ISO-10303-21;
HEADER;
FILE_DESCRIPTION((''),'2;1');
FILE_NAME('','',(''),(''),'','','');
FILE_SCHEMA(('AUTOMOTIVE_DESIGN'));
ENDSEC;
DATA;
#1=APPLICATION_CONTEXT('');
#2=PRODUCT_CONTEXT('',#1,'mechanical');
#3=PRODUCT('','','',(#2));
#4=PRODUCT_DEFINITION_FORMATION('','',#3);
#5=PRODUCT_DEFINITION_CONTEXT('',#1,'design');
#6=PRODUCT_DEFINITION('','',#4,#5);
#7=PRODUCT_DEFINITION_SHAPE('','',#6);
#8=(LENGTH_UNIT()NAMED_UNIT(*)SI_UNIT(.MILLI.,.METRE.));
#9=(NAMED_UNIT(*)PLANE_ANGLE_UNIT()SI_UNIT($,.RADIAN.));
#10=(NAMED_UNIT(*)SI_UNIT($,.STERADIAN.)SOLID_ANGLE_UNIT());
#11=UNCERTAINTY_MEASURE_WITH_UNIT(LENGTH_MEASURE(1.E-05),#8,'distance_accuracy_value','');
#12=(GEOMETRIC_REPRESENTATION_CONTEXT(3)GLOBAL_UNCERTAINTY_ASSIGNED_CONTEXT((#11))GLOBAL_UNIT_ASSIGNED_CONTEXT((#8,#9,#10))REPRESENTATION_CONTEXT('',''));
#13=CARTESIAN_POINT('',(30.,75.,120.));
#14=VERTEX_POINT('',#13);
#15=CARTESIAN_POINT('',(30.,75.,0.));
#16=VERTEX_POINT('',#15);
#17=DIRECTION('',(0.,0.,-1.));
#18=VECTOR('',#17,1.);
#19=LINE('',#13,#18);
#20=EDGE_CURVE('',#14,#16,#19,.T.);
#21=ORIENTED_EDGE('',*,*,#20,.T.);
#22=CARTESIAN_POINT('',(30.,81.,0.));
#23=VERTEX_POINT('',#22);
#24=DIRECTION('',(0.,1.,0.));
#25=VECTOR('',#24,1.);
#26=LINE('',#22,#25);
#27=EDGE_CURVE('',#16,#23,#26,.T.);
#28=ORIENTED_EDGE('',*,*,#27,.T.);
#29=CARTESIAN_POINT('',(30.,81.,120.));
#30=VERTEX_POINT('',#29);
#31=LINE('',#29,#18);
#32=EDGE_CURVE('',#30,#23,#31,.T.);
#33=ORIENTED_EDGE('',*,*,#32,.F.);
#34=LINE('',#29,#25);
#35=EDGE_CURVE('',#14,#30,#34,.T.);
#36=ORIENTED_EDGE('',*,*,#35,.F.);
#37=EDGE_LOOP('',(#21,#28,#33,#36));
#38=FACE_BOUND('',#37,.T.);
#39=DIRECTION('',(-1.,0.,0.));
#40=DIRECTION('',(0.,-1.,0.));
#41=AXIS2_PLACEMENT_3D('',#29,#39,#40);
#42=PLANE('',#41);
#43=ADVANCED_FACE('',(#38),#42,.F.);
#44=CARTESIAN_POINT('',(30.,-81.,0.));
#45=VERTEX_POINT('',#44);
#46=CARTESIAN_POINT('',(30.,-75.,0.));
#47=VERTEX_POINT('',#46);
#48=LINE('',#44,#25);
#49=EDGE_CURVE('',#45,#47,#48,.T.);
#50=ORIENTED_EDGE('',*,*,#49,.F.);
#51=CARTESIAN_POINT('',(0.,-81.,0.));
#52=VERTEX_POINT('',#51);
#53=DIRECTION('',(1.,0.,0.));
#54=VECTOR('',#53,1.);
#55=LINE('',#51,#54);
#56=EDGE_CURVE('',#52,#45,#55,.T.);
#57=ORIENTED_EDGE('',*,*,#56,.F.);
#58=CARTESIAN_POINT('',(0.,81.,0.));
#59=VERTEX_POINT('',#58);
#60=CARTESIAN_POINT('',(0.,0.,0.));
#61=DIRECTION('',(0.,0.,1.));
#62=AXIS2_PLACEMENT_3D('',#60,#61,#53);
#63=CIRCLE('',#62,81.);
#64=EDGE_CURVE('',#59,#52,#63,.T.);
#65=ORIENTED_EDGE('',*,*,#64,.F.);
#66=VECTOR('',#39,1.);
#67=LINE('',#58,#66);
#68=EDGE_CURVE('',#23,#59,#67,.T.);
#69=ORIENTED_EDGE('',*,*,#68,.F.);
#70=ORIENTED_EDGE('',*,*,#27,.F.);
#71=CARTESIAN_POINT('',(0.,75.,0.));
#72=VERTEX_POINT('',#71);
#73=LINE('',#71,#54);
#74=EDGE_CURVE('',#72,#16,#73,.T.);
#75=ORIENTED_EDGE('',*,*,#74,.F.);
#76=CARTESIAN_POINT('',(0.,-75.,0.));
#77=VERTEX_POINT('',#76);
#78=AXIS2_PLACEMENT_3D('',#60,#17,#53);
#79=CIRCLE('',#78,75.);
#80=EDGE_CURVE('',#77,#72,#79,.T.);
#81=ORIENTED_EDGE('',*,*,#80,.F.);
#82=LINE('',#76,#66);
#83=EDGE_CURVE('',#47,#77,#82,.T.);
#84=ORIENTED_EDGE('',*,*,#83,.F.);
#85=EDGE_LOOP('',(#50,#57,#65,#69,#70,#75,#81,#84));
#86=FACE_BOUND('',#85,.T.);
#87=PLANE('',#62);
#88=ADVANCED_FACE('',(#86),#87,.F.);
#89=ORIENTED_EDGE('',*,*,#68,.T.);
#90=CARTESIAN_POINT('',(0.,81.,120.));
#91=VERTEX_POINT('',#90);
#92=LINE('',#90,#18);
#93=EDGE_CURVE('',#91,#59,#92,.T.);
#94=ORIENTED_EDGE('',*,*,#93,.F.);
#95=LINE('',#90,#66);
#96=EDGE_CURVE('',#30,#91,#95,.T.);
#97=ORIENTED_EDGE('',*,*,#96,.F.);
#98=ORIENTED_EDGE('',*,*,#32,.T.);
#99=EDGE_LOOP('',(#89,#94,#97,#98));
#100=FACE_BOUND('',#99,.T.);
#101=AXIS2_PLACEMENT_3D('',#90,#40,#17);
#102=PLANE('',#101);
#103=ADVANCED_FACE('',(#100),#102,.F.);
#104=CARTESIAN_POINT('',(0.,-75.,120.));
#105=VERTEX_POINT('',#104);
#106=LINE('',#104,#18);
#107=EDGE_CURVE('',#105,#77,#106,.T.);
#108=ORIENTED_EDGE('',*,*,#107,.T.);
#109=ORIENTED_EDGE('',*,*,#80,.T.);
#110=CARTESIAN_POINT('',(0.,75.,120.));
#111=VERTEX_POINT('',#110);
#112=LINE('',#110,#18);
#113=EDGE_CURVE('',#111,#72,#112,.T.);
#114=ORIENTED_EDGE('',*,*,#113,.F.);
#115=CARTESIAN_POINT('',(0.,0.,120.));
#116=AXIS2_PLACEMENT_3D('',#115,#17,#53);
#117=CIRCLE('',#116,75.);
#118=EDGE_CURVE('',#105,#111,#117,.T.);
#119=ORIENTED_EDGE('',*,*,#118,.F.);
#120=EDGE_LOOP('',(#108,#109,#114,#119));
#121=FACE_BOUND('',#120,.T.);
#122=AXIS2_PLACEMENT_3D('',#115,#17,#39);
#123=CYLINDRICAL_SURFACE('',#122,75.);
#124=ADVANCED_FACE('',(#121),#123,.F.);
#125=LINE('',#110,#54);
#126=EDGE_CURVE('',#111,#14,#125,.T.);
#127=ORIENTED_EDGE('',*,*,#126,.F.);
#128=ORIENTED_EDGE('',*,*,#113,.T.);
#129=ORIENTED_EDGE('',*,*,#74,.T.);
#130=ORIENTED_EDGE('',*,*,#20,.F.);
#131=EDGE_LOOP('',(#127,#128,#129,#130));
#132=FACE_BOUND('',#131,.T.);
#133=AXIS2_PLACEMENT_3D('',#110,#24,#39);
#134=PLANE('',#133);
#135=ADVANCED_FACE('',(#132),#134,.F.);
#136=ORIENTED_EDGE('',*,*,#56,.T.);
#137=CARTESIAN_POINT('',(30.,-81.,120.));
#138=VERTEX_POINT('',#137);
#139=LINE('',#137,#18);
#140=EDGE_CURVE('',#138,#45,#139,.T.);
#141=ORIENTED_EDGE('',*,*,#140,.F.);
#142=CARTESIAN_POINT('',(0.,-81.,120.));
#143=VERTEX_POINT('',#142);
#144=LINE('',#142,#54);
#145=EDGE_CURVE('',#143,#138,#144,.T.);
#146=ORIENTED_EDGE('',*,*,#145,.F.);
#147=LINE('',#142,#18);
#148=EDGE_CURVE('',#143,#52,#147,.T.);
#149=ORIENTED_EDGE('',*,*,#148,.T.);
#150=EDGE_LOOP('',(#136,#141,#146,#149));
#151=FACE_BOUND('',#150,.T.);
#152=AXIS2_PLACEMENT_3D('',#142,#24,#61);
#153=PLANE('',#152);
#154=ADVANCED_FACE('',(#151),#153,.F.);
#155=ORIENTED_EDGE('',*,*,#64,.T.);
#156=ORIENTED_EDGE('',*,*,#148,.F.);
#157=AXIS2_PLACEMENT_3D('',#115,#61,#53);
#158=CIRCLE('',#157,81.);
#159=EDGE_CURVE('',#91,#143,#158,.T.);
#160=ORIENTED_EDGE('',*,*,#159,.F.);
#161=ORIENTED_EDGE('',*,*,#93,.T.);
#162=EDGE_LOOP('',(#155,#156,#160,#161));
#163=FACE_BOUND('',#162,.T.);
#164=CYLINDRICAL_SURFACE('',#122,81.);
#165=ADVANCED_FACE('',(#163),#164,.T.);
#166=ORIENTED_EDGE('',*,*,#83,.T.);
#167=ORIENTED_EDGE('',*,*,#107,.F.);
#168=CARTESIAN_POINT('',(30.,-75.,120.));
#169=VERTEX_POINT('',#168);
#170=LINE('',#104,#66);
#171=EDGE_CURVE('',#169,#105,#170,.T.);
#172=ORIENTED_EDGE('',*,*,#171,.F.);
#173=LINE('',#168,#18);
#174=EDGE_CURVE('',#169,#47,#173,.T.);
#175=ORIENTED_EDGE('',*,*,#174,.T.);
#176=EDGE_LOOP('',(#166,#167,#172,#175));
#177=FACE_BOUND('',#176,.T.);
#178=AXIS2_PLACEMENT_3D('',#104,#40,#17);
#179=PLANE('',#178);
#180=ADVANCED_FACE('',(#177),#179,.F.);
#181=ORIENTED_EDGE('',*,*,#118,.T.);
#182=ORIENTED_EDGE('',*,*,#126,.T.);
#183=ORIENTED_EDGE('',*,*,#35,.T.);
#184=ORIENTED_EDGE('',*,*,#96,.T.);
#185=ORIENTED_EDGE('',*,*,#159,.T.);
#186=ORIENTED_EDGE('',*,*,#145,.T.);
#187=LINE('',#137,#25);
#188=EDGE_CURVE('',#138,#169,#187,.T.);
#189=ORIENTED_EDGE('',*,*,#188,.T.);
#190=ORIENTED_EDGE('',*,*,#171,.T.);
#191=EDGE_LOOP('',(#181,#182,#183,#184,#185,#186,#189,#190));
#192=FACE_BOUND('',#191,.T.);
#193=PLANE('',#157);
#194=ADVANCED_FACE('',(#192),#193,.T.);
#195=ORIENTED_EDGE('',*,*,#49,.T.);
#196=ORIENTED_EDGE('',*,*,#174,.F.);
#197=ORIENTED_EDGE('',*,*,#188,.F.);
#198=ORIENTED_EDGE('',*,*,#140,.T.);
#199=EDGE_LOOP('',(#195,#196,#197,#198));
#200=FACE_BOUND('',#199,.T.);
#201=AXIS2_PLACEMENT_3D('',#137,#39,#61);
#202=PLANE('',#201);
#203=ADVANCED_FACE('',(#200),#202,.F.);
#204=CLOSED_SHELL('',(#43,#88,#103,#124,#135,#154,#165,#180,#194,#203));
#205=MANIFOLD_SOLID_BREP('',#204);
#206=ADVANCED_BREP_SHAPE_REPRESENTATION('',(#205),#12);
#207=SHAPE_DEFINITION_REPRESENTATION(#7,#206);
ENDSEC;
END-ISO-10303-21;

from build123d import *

# Parameters (mm, degrees)
BOSS_EXTRUDE1_DEPTH = 120


with BuildPart() as part:
    # Sketch1 → Boss-Extrude1 (new body)
    with BuildSketch(Plane.XY):
        with BuildLine():
            Line((0, 81), (30, 81))
            Line((30, 81), (30, 75))
            Line((30, 75), (0, 75))
            ThreePointArc((0, 75), (-75, 0), (0, -75))
            Line((0, -75), (30, -75))
            Line((30, -75), (30, -81))
            Line((30, -81), (0, -81))
            ThreePointArc((0, -81), (-81, 0), (0, 81))
        make_face()
    extrude(amount=BOSS_EXTRUDE1_DEPTH)


solid = part.part
